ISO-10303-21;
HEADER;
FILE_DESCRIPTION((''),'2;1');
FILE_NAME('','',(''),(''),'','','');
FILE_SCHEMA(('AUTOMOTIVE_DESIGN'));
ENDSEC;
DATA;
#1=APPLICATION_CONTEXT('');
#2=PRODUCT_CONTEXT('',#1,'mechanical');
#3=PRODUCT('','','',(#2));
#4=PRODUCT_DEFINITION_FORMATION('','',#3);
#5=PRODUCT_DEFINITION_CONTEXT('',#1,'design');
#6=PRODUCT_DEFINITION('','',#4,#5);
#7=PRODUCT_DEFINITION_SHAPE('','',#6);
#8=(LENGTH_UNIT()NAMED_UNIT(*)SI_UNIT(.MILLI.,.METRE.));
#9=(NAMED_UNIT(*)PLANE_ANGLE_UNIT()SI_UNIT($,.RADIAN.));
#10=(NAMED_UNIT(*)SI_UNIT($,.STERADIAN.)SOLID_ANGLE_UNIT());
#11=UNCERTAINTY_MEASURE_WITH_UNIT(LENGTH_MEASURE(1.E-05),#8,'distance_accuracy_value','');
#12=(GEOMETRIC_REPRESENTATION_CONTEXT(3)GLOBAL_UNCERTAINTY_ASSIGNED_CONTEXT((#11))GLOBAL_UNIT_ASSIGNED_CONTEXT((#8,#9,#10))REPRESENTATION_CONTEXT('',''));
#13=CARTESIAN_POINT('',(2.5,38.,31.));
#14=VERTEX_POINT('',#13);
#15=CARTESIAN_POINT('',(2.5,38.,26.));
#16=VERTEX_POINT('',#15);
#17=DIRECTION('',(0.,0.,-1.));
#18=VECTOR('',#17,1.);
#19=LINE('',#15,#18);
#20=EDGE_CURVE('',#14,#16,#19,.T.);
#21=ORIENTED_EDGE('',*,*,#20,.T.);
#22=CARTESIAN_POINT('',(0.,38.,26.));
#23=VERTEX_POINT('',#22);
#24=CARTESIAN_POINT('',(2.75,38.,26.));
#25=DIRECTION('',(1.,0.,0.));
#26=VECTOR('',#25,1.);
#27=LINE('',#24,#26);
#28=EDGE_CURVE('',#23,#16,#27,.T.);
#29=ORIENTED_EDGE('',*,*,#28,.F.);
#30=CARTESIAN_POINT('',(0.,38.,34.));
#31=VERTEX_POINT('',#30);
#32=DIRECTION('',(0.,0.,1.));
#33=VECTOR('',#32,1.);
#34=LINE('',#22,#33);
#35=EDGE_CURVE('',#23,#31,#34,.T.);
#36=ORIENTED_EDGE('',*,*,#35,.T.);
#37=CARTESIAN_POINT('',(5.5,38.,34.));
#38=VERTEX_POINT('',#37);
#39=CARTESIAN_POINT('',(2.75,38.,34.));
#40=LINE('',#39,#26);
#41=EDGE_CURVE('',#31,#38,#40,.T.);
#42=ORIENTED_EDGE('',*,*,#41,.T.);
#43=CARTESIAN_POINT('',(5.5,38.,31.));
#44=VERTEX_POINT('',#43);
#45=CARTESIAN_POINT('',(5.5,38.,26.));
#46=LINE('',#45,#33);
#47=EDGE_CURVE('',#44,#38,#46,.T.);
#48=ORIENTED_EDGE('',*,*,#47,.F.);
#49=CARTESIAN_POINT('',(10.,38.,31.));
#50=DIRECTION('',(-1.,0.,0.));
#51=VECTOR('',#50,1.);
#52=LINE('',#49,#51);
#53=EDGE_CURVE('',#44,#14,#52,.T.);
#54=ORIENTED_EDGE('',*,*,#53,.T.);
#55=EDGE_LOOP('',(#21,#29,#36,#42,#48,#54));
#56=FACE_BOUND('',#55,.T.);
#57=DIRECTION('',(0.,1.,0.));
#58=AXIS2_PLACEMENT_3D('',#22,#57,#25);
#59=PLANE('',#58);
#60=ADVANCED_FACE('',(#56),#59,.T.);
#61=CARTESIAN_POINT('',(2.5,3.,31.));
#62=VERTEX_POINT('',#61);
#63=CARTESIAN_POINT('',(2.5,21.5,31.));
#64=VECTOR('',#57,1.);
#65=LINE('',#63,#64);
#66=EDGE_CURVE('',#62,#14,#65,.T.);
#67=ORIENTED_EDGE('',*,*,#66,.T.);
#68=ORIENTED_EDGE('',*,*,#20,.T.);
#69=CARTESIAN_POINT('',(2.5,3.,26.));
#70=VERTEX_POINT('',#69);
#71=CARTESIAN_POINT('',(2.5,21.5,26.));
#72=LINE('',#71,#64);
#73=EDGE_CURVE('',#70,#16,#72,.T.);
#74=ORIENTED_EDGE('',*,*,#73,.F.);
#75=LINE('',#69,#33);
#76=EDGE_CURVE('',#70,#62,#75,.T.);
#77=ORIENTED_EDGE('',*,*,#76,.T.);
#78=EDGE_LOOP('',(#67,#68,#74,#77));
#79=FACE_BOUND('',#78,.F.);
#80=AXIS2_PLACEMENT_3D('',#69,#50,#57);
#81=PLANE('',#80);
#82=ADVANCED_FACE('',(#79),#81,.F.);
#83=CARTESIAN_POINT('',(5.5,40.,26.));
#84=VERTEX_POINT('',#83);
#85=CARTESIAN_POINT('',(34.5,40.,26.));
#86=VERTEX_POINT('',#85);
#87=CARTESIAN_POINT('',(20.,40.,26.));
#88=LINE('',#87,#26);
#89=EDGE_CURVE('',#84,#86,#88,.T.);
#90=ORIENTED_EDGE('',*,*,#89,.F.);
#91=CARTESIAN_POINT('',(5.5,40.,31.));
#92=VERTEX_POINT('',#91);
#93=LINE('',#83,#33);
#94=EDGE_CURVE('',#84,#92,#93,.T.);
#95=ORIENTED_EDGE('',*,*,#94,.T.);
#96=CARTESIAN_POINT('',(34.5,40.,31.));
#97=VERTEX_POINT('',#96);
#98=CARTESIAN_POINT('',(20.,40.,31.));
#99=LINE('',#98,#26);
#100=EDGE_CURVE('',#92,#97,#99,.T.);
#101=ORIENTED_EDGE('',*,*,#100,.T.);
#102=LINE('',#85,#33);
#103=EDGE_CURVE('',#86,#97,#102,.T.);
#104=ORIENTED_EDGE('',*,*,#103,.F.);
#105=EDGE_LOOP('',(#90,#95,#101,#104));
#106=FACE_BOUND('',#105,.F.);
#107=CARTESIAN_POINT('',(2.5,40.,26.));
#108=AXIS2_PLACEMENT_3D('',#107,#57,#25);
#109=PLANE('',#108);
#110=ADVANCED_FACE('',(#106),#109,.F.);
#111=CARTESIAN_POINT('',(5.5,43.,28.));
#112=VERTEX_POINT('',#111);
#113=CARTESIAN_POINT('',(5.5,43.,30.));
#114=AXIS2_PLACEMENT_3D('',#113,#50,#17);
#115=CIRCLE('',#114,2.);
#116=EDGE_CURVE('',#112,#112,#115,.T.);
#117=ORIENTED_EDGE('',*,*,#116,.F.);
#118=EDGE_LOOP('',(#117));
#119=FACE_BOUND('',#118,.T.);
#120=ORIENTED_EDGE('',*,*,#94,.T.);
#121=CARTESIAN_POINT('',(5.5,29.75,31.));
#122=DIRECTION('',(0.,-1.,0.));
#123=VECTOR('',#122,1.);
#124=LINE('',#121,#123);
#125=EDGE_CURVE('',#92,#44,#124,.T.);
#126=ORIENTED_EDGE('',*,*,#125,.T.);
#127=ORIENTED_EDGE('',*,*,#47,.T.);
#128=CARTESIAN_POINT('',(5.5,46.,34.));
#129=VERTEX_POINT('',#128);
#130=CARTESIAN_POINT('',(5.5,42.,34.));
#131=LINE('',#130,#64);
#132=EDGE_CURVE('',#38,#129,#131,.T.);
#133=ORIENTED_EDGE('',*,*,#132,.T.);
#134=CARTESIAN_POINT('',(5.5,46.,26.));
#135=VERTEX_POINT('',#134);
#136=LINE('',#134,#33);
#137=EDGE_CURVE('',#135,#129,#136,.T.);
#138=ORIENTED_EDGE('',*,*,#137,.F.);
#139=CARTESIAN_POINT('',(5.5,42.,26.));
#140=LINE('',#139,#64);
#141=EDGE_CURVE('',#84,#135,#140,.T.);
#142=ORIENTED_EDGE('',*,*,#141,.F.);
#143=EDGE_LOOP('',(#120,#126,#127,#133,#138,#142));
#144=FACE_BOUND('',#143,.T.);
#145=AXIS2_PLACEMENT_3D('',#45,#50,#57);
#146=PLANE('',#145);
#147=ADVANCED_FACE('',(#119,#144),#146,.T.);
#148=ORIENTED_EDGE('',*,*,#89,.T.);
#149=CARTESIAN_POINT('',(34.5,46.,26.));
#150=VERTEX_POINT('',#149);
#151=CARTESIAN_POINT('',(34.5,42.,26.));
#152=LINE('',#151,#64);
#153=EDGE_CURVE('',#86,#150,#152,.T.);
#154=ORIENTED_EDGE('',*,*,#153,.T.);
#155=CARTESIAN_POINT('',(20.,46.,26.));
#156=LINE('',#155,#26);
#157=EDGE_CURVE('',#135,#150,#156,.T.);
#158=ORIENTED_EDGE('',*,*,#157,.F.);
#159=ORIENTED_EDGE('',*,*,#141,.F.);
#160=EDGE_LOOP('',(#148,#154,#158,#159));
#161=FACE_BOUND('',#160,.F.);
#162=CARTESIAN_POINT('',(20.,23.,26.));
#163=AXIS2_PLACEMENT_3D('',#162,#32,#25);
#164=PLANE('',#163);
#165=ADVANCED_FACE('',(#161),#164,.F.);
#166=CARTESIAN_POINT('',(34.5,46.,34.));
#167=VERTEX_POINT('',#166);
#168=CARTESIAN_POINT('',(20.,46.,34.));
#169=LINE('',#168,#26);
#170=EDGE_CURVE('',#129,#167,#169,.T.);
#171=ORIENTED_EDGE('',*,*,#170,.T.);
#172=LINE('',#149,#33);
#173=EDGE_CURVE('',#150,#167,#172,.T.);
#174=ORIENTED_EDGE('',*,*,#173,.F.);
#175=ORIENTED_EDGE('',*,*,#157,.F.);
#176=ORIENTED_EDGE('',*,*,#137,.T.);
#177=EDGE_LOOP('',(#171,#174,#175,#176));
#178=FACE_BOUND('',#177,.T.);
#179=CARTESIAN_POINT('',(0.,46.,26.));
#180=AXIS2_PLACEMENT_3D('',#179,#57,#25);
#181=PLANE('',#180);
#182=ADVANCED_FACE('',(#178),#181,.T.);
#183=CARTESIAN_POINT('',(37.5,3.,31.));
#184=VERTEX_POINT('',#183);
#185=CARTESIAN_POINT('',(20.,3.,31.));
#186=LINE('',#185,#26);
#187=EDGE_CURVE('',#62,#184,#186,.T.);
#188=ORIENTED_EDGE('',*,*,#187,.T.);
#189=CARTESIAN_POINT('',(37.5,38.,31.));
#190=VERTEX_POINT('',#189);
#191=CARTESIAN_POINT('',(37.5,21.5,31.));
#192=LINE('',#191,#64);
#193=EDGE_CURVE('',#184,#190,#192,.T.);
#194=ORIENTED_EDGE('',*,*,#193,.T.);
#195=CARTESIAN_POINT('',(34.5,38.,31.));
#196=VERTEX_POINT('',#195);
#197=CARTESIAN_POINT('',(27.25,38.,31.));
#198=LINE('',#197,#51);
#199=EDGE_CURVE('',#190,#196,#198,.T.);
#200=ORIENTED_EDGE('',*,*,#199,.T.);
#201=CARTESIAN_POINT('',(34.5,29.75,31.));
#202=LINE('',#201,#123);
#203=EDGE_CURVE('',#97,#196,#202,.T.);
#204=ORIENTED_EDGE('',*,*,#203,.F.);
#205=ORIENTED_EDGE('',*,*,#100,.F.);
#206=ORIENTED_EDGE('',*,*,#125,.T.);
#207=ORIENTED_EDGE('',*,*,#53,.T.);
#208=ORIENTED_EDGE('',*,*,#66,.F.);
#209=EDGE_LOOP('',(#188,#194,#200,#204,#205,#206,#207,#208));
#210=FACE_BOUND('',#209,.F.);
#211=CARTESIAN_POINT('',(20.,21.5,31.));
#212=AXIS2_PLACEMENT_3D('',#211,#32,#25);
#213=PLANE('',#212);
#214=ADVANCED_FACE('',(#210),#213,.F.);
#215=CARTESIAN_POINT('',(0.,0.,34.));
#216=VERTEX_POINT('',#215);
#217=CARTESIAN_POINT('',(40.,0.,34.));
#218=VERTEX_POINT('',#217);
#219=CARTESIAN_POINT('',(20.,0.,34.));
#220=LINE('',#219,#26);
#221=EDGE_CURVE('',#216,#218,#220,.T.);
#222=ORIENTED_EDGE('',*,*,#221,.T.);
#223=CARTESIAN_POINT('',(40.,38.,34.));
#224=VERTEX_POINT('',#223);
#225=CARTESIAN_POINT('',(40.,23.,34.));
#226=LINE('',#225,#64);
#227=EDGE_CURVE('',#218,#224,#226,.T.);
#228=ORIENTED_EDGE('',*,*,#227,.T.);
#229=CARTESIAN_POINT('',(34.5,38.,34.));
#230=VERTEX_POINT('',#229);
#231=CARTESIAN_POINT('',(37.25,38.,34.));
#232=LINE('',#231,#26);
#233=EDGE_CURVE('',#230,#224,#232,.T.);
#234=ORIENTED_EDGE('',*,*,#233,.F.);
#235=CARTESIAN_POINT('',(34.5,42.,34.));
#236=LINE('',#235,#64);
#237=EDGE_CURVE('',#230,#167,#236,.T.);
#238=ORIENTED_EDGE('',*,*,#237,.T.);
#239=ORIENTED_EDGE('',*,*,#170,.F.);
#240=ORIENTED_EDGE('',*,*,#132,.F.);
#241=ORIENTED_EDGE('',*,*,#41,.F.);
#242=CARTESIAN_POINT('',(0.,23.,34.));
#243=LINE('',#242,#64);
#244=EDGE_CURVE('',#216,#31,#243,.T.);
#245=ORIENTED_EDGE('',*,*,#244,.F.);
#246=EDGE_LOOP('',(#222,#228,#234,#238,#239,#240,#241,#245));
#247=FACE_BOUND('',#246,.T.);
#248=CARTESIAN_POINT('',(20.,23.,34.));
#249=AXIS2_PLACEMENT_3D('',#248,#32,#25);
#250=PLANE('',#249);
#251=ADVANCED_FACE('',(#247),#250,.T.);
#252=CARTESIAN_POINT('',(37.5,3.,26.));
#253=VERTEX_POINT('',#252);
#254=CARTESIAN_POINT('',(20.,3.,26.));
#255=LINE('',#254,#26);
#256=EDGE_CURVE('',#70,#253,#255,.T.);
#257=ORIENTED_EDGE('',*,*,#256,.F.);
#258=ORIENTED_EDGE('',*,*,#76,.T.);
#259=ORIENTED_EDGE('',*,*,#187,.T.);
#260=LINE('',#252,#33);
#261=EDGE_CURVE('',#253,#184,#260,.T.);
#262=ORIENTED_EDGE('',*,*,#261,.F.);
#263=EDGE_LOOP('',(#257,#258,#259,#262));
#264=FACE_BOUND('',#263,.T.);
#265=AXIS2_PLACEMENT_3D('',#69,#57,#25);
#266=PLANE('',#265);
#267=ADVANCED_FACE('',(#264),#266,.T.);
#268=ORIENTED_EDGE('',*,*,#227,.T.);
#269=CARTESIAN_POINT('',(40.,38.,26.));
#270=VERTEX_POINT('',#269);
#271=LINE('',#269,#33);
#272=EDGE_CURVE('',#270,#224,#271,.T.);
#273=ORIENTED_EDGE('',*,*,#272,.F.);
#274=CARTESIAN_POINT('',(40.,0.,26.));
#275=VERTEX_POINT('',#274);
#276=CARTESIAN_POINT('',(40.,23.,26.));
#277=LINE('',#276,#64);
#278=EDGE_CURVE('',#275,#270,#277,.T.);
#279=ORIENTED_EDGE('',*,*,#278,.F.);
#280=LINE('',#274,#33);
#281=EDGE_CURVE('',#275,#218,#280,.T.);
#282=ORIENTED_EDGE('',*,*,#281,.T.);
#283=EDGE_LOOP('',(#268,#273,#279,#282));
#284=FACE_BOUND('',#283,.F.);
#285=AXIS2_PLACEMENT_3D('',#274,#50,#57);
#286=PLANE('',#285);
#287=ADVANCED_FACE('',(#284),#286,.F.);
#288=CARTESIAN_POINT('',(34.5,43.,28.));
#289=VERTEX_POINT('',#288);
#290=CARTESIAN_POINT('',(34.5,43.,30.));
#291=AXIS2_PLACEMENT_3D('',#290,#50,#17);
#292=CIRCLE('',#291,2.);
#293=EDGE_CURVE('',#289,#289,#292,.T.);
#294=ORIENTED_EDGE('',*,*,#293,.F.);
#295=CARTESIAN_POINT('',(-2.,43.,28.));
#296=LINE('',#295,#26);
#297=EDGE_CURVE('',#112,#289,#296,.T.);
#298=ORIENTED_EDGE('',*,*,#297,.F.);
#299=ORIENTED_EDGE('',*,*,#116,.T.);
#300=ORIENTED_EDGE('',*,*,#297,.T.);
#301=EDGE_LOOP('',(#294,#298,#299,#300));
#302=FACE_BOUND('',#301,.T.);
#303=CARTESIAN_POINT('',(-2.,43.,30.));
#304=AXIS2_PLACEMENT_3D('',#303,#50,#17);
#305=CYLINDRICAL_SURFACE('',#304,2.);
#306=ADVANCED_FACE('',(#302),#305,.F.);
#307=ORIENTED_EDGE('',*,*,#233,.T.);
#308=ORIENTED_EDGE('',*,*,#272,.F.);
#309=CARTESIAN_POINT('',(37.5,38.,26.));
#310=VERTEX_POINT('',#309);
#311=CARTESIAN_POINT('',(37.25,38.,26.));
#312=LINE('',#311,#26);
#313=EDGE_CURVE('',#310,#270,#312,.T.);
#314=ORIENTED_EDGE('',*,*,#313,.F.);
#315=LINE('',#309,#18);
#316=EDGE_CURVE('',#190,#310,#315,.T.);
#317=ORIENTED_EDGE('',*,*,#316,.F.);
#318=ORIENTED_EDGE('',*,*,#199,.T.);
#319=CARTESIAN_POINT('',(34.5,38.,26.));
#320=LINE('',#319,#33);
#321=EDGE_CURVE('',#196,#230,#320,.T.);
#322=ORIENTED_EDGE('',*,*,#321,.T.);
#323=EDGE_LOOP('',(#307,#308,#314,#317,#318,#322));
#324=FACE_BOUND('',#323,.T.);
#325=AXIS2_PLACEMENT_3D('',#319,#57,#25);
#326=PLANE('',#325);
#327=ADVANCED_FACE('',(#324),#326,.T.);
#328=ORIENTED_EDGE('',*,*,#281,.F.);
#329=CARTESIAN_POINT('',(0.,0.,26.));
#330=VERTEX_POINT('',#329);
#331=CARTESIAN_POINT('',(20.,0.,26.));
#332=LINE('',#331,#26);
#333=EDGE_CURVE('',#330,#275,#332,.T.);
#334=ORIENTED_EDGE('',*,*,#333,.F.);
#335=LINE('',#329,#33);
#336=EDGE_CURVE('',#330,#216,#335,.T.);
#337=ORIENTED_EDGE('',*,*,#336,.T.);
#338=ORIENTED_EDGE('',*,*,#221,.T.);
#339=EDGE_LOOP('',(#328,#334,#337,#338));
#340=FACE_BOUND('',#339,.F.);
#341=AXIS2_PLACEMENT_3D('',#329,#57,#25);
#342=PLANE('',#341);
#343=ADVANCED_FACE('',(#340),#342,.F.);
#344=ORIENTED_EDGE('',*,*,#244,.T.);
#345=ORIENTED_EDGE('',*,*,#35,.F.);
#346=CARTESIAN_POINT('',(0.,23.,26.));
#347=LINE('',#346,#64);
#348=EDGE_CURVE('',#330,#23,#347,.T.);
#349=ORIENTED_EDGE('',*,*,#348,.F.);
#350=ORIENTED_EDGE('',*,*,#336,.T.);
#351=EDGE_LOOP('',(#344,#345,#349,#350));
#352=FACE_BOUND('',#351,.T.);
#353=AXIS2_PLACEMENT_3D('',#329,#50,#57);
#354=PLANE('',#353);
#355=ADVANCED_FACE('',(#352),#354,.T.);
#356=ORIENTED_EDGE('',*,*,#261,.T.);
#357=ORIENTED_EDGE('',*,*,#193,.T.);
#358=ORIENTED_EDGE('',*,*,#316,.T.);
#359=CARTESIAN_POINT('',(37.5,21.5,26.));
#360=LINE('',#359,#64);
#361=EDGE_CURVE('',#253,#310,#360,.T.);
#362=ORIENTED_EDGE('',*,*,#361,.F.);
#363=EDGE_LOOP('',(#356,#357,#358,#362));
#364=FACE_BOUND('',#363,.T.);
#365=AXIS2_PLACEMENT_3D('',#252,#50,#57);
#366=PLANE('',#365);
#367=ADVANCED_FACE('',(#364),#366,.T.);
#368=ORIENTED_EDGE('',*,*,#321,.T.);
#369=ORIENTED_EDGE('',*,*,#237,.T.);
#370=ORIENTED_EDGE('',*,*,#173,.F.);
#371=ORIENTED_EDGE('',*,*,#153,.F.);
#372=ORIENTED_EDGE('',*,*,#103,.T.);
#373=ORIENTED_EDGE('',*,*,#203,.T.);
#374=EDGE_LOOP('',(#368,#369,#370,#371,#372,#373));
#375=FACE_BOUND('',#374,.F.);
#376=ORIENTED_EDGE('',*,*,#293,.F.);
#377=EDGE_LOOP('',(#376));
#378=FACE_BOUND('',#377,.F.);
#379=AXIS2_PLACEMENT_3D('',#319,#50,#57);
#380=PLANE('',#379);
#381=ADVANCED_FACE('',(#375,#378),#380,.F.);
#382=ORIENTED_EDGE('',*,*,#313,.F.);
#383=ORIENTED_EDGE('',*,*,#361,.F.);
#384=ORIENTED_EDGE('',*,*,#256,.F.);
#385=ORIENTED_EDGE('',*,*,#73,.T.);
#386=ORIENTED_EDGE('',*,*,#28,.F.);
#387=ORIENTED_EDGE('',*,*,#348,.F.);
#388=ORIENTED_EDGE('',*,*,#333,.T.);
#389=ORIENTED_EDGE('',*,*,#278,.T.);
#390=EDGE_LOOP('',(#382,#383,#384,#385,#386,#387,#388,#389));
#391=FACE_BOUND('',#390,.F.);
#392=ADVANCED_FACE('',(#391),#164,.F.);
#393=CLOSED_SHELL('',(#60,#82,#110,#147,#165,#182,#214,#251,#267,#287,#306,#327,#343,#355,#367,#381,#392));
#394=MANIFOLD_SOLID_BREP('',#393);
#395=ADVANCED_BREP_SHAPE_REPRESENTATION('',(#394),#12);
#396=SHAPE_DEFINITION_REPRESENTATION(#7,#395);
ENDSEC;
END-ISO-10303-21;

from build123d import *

# Parameters (mm, degrees)
CYLINDER003_R     = 2
CYLINDER003_DEPTH = 45
BOX002_W          = 5.5
BOX002_H          = 8
BOX002_DEPTH      = 8
BOX001_W          = 5.5
BOX001_H          = 8
BOX001_DEPTH      = 8
BOX003_W          = 35
BOX003_H          = 37
BOX003_DEPTH      = 5
BOX_W             = 40
BOX_H             = 46
BOX_DEPTH         = 8


with BuildPart() as axel:
    # Cylinder003 → Cylinder003 (new body)
    with BuildSketch(Plane(origin=(-2, 43, 30), x_dir=(0, 0, -1), z_dir=(1, 0, 0))):
        Circle(CYLINDER003_R)
    extrude(amount=CYLINDER003_DEPTH)


with BuildPart() as hingeplate2:
    # Box002 → Box002 (new body)
    with BuildSketch(Plane(origin=(34.5, 38, 26), x_dir=(1, 0, 0), z_dir=(0, 0, 1))):
        with Locations((2.75, 4)):
            Rectangle(BOX002_W, BOX002_H)
    extrude(amount=BOX002_DEPTH)


with BuildPart() as hingeplate1:
    # Box001 → Box001 (new body)
    with BuildSketch(Plane(origin=(0, 38, 26), x_dir=(1, 0, 0), z_dir=(0, 0, 1))):
        with Locations((2.75, 4)):
            Rectangle(BOX001_W, BOX001_H)
    extrude(amount=BOX001_DEPTH)


with BuildPart() as mainbody001:
    # Box003 → Box003 (new body)
    with BuildSketch(Plane(origin=(2.5, 3, 26), x_dir=(1, 0, 0), z_dir=(0, 0, 1))):
        with Locations((17.5, 18.5)):
            Rectangle(BOX003_W, BOX003_H)
    extrude(amount=BOX003_DEPTH)


with BuildPart() as cut003:
    # Box → Box (new body)
    with BuildSketch(Plane.XY.offset(26)):
        with Locations((20, 23)):
            Rectangle(BOX_W, BOX_H)
    extrude(amount=BOX_DEPTH)

    # Cut: cut mainbody001
    add(mainbody001.part, mode=Mode.SUBTRACT)

    # Cut001: cut hingeplate1
    add(hingeplate1.part, mode=Mode.SUBTRACT)

    # Cut002: cut hingeplate2
    add(hingeplate2.part, mode=Mode.SUBTRACT)

    # Cut003: cut axel
    add(axel.part, mode=Mode.SUBTRACT)


solid = cut003.part
